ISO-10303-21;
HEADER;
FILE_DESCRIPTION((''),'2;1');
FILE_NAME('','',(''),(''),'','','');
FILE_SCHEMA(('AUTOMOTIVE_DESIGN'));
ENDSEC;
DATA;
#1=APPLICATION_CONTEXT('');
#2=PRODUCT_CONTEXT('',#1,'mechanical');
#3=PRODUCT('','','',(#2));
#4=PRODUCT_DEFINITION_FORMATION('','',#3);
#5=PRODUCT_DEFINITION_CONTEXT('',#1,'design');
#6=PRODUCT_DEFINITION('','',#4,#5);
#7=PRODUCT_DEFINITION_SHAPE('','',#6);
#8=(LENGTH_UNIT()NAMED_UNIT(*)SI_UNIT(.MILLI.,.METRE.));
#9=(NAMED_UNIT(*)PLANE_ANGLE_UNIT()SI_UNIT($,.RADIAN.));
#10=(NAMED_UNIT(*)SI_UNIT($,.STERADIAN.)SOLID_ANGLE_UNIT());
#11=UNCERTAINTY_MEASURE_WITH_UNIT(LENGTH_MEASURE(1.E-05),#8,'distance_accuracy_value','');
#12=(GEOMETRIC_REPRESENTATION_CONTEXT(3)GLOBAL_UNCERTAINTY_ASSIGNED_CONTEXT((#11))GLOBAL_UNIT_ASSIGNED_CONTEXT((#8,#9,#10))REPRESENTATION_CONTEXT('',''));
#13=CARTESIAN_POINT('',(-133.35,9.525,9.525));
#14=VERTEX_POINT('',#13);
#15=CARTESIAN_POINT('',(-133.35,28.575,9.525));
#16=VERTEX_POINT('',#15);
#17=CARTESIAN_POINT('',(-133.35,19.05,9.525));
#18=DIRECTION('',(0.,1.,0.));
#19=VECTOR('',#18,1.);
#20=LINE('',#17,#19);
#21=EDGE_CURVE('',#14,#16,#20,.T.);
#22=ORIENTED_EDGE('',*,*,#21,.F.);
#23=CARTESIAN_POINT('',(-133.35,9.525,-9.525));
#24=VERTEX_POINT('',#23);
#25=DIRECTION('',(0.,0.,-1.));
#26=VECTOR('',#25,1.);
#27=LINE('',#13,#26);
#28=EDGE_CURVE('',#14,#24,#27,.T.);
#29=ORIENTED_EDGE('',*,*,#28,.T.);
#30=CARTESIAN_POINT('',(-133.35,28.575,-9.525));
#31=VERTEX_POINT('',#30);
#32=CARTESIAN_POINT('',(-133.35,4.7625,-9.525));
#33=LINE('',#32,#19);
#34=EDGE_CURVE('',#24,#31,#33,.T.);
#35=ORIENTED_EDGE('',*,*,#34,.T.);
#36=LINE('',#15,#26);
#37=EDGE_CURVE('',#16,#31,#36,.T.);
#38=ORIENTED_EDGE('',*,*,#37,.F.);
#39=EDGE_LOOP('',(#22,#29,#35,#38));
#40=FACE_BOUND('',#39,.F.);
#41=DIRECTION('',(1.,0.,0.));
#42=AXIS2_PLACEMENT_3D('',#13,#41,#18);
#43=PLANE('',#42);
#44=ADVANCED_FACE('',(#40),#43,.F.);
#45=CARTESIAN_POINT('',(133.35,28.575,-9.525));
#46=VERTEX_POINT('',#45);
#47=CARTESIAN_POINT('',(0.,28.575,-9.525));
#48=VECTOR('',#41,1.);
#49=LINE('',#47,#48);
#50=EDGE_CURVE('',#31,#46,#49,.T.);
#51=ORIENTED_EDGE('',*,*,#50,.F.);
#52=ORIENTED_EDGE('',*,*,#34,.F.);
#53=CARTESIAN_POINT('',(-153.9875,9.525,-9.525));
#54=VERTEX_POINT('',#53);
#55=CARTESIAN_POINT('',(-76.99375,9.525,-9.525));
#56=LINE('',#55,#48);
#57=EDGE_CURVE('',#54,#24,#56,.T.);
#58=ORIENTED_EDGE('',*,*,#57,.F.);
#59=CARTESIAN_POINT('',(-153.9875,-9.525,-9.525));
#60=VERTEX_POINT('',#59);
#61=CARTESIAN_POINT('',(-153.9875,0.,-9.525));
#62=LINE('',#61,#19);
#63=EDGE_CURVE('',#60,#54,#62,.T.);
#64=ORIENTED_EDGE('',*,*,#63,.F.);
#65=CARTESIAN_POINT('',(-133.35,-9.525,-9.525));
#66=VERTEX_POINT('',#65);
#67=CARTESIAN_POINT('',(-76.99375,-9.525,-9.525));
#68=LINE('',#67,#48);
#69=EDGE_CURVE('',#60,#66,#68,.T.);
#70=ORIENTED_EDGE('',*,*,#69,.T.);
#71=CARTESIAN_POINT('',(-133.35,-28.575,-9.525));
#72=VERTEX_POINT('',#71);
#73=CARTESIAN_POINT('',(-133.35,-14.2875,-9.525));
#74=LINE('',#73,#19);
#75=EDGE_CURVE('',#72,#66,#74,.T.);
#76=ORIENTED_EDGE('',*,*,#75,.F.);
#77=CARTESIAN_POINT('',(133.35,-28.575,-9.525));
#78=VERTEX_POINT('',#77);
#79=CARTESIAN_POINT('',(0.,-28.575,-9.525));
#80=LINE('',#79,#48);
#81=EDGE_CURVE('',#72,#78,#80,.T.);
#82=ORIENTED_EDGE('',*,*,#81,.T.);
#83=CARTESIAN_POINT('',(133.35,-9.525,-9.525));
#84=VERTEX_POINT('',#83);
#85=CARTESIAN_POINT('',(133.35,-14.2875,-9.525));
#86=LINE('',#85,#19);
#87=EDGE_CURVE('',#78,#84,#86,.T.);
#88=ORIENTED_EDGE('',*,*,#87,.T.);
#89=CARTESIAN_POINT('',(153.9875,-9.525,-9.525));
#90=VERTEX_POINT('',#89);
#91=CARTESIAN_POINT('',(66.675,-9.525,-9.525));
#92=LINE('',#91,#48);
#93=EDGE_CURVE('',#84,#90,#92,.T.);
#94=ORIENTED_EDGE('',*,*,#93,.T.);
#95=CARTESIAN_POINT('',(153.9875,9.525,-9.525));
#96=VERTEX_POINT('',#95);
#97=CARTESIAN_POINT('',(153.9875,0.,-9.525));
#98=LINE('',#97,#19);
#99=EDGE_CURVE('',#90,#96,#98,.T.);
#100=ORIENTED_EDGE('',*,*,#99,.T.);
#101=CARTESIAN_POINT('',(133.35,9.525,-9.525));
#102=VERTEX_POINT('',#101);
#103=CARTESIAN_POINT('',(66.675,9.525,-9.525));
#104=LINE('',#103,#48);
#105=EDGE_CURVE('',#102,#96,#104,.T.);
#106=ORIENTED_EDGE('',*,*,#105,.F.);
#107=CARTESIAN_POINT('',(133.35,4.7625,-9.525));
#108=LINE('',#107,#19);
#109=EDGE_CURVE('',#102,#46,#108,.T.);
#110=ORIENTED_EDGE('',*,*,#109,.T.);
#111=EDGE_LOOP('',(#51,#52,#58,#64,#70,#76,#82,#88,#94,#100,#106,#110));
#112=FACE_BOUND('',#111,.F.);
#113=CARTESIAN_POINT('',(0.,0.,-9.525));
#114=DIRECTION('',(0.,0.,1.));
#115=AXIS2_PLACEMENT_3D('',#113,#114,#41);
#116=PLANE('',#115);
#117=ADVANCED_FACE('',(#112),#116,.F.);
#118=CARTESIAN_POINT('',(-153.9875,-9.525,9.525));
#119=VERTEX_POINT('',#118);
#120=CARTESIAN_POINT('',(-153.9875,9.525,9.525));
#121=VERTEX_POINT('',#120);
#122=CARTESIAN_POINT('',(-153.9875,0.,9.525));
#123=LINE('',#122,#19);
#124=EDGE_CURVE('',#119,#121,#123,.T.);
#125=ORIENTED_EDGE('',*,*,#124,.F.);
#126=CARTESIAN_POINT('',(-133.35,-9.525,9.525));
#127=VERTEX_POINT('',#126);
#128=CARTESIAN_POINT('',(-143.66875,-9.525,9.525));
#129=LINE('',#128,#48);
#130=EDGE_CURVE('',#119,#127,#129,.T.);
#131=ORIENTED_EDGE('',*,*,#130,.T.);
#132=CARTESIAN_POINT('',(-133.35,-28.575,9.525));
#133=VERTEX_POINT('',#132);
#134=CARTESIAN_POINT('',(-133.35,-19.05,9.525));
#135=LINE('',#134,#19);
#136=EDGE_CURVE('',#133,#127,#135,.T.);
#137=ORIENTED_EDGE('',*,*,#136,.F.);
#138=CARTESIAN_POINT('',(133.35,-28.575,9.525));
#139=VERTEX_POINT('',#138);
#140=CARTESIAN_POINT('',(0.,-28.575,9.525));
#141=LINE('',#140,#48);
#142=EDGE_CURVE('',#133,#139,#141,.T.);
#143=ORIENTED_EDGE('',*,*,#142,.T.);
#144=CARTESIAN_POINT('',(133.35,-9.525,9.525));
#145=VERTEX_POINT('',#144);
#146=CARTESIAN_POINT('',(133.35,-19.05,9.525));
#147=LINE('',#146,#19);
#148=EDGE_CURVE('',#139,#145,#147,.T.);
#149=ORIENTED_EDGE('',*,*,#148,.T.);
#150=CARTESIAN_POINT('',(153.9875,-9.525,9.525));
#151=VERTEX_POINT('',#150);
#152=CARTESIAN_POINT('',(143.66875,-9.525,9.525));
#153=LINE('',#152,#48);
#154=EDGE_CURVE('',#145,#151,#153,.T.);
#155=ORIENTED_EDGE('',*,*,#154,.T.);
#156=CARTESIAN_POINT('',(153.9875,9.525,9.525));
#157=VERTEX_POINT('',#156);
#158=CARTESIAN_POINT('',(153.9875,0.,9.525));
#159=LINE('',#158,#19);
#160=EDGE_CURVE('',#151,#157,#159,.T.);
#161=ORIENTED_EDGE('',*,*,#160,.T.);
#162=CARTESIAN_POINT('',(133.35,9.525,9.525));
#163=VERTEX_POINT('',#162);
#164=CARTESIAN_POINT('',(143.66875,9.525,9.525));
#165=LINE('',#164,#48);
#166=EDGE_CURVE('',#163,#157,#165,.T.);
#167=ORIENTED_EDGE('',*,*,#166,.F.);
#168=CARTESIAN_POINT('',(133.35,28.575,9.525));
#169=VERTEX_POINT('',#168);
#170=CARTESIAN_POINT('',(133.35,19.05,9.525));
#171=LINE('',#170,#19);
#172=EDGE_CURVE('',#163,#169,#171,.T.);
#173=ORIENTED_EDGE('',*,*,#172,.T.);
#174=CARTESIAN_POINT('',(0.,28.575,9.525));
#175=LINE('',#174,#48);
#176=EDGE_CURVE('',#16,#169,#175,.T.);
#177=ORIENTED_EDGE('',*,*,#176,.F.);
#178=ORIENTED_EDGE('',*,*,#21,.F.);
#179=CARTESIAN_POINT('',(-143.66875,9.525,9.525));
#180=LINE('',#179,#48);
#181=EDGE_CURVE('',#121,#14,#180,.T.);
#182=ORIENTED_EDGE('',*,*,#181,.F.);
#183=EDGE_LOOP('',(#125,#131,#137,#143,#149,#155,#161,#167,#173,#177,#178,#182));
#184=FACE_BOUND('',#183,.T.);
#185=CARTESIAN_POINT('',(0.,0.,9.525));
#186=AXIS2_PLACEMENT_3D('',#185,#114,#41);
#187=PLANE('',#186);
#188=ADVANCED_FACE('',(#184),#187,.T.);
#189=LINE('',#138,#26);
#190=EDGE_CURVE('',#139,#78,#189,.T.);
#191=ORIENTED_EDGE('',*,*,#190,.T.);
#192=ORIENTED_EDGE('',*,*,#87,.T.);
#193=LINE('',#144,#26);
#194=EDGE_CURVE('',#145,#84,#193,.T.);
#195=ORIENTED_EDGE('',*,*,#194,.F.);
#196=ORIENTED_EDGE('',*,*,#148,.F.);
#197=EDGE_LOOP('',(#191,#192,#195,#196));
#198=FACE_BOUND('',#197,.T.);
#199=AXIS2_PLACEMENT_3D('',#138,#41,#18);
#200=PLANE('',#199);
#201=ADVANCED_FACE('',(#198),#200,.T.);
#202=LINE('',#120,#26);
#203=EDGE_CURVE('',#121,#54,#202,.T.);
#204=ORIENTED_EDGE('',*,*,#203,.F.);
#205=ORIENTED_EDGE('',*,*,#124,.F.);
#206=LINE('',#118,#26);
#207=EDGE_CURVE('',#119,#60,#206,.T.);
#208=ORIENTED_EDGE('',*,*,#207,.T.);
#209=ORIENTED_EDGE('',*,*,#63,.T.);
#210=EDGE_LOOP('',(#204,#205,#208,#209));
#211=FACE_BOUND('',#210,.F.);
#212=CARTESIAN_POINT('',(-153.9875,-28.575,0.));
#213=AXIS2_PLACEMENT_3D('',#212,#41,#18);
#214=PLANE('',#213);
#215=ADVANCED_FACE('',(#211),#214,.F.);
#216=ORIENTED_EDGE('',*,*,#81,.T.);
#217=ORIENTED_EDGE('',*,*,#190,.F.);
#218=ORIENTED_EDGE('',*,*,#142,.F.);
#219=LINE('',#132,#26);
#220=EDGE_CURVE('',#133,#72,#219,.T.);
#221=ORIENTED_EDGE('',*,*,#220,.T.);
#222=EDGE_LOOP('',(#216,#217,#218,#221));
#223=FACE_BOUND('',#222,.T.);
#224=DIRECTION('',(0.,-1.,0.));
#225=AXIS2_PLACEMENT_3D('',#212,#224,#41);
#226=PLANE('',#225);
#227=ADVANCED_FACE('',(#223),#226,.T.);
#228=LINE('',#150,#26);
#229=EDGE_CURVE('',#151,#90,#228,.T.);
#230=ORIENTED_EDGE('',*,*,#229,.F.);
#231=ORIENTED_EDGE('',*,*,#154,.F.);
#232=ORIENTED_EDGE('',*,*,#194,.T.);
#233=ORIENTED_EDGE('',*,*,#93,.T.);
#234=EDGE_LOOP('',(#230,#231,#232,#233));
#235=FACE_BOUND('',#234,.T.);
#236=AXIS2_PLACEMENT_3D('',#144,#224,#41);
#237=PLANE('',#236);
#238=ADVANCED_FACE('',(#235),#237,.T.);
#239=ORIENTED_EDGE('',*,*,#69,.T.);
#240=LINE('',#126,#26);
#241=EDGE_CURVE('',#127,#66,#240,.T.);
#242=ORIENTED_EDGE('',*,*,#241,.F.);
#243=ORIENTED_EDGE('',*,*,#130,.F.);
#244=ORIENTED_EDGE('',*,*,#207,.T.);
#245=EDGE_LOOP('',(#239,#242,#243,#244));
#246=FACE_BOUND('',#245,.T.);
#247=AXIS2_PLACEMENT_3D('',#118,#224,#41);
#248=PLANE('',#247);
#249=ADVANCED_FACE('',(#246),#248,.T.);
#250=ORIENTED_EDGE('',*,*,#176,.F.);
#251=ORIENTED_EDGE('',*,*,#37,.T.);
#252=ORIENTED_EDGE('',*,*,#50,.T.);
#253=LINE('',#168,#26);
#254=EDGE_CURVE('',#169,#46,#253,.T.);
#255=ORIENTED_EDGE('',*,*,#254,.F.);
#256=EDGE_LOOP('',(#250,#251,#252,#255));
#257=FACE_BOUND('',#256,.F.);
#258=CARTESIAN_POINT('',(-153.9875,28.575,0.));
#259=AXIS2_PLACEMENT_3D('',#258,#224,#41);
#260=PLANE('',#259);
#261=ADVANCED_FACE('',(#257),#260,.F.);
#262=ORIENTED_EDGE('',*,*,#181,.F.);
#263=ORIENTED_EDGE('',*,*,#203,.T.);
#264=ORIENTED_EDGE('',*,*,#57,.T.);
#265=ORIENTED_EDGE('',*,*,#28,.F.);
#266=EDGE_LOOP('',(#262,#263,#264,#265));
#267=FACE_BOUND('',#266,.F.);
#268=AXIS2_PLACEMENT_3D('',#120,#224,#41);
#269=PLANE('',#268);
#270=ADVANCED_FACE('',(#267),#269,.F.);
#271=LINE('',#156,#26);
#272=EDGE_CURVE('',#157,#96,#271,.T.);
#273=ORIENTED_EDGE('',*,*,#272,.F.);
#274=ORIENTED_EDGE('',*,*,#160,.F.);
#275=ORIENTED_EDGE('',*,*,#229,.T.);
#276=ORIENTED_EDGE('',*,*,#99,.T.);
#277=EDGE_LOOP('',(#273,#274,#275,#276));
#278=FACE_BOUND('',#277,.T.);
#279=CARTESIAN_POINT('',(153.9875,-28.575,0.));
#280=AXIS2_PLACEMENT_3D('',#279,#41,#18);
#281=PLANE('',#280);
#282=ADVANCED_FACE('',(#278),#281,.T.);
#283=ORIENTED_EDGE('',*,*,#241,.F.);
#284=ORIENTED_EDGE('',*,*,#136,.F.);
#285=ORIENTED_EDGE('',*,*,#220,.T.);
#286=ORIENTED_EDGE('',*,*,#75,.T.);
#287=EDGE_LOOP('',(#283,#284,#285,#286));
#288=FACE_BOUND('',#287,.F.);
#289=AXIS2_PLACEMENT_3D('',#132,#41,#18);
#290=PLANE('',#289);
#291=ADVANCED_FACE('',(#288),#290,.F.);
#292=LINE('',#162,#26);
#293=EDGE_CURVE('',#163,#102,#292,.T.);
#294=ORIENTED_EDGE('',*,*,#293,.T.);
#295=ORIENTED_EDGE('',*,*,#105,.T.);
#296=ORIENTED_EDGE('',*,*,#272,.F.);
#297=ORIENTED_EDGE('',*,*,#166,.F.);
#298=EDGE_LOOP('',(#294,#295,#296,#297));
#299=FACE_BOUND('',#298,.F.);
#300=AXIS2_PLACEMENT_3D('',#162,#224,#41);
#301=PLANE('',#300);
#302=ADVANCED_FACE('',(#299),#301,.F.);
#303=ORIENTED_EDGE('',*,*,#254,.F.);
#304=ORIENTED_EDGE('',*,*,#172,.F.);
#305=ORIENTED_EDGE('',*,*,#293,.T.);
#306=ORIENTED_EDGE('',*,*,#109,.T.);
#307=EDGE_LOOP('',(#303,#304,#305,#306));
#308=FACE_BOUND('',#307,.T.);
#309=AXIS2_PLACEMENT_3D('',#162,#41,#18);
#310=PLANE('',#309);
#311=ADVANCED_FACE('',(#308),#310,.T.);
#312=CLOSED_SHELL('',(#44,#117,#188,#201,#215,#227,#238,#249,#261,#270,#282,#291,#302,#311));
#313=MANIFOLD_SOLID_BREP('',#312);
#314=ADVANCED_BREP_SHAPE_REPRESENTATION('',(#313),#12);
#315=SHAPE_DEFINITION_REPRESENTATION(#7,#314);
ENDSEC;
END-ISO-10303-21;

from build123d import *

# Parameters (mm, degrees)
F0_W     = 307.975
F0_H     = 57.15
F1_DEPTH = 9.525
F2_W     = 20.6375
F2_H     = 19.05
F3_DEPTH = 19.051


with BuildPart() as f1:
    # F0 (on Top) → F1 (new body, symmetric)
    with BuildSketch(Plane.XY):
        Rectangle(F0_W, F0_H)
    extrude(amount=F1_DEPTH, both=True)

    # F2 (on face) → F3 (cut, through all)
    with BuildSketch(Plane.XY.offset(9.525)):
        with Locations((-143.66875, 19.05)):
            Rectangle(F2_W, F2_H)
        with Locations((-143.66875, -19.05)):
            Rectangle(F2_W, F2_H)
        with Locations((143.66875, 19.05)):
            Rectangle(F2_W, F2_H)
        with Locations((143.66875, -19.05)):
            Rectangle(F2_W, F2_H)
    extrude(amount=-F3_DEPTH, mode=Mode.SUBTRACT)


solid = f1.part
